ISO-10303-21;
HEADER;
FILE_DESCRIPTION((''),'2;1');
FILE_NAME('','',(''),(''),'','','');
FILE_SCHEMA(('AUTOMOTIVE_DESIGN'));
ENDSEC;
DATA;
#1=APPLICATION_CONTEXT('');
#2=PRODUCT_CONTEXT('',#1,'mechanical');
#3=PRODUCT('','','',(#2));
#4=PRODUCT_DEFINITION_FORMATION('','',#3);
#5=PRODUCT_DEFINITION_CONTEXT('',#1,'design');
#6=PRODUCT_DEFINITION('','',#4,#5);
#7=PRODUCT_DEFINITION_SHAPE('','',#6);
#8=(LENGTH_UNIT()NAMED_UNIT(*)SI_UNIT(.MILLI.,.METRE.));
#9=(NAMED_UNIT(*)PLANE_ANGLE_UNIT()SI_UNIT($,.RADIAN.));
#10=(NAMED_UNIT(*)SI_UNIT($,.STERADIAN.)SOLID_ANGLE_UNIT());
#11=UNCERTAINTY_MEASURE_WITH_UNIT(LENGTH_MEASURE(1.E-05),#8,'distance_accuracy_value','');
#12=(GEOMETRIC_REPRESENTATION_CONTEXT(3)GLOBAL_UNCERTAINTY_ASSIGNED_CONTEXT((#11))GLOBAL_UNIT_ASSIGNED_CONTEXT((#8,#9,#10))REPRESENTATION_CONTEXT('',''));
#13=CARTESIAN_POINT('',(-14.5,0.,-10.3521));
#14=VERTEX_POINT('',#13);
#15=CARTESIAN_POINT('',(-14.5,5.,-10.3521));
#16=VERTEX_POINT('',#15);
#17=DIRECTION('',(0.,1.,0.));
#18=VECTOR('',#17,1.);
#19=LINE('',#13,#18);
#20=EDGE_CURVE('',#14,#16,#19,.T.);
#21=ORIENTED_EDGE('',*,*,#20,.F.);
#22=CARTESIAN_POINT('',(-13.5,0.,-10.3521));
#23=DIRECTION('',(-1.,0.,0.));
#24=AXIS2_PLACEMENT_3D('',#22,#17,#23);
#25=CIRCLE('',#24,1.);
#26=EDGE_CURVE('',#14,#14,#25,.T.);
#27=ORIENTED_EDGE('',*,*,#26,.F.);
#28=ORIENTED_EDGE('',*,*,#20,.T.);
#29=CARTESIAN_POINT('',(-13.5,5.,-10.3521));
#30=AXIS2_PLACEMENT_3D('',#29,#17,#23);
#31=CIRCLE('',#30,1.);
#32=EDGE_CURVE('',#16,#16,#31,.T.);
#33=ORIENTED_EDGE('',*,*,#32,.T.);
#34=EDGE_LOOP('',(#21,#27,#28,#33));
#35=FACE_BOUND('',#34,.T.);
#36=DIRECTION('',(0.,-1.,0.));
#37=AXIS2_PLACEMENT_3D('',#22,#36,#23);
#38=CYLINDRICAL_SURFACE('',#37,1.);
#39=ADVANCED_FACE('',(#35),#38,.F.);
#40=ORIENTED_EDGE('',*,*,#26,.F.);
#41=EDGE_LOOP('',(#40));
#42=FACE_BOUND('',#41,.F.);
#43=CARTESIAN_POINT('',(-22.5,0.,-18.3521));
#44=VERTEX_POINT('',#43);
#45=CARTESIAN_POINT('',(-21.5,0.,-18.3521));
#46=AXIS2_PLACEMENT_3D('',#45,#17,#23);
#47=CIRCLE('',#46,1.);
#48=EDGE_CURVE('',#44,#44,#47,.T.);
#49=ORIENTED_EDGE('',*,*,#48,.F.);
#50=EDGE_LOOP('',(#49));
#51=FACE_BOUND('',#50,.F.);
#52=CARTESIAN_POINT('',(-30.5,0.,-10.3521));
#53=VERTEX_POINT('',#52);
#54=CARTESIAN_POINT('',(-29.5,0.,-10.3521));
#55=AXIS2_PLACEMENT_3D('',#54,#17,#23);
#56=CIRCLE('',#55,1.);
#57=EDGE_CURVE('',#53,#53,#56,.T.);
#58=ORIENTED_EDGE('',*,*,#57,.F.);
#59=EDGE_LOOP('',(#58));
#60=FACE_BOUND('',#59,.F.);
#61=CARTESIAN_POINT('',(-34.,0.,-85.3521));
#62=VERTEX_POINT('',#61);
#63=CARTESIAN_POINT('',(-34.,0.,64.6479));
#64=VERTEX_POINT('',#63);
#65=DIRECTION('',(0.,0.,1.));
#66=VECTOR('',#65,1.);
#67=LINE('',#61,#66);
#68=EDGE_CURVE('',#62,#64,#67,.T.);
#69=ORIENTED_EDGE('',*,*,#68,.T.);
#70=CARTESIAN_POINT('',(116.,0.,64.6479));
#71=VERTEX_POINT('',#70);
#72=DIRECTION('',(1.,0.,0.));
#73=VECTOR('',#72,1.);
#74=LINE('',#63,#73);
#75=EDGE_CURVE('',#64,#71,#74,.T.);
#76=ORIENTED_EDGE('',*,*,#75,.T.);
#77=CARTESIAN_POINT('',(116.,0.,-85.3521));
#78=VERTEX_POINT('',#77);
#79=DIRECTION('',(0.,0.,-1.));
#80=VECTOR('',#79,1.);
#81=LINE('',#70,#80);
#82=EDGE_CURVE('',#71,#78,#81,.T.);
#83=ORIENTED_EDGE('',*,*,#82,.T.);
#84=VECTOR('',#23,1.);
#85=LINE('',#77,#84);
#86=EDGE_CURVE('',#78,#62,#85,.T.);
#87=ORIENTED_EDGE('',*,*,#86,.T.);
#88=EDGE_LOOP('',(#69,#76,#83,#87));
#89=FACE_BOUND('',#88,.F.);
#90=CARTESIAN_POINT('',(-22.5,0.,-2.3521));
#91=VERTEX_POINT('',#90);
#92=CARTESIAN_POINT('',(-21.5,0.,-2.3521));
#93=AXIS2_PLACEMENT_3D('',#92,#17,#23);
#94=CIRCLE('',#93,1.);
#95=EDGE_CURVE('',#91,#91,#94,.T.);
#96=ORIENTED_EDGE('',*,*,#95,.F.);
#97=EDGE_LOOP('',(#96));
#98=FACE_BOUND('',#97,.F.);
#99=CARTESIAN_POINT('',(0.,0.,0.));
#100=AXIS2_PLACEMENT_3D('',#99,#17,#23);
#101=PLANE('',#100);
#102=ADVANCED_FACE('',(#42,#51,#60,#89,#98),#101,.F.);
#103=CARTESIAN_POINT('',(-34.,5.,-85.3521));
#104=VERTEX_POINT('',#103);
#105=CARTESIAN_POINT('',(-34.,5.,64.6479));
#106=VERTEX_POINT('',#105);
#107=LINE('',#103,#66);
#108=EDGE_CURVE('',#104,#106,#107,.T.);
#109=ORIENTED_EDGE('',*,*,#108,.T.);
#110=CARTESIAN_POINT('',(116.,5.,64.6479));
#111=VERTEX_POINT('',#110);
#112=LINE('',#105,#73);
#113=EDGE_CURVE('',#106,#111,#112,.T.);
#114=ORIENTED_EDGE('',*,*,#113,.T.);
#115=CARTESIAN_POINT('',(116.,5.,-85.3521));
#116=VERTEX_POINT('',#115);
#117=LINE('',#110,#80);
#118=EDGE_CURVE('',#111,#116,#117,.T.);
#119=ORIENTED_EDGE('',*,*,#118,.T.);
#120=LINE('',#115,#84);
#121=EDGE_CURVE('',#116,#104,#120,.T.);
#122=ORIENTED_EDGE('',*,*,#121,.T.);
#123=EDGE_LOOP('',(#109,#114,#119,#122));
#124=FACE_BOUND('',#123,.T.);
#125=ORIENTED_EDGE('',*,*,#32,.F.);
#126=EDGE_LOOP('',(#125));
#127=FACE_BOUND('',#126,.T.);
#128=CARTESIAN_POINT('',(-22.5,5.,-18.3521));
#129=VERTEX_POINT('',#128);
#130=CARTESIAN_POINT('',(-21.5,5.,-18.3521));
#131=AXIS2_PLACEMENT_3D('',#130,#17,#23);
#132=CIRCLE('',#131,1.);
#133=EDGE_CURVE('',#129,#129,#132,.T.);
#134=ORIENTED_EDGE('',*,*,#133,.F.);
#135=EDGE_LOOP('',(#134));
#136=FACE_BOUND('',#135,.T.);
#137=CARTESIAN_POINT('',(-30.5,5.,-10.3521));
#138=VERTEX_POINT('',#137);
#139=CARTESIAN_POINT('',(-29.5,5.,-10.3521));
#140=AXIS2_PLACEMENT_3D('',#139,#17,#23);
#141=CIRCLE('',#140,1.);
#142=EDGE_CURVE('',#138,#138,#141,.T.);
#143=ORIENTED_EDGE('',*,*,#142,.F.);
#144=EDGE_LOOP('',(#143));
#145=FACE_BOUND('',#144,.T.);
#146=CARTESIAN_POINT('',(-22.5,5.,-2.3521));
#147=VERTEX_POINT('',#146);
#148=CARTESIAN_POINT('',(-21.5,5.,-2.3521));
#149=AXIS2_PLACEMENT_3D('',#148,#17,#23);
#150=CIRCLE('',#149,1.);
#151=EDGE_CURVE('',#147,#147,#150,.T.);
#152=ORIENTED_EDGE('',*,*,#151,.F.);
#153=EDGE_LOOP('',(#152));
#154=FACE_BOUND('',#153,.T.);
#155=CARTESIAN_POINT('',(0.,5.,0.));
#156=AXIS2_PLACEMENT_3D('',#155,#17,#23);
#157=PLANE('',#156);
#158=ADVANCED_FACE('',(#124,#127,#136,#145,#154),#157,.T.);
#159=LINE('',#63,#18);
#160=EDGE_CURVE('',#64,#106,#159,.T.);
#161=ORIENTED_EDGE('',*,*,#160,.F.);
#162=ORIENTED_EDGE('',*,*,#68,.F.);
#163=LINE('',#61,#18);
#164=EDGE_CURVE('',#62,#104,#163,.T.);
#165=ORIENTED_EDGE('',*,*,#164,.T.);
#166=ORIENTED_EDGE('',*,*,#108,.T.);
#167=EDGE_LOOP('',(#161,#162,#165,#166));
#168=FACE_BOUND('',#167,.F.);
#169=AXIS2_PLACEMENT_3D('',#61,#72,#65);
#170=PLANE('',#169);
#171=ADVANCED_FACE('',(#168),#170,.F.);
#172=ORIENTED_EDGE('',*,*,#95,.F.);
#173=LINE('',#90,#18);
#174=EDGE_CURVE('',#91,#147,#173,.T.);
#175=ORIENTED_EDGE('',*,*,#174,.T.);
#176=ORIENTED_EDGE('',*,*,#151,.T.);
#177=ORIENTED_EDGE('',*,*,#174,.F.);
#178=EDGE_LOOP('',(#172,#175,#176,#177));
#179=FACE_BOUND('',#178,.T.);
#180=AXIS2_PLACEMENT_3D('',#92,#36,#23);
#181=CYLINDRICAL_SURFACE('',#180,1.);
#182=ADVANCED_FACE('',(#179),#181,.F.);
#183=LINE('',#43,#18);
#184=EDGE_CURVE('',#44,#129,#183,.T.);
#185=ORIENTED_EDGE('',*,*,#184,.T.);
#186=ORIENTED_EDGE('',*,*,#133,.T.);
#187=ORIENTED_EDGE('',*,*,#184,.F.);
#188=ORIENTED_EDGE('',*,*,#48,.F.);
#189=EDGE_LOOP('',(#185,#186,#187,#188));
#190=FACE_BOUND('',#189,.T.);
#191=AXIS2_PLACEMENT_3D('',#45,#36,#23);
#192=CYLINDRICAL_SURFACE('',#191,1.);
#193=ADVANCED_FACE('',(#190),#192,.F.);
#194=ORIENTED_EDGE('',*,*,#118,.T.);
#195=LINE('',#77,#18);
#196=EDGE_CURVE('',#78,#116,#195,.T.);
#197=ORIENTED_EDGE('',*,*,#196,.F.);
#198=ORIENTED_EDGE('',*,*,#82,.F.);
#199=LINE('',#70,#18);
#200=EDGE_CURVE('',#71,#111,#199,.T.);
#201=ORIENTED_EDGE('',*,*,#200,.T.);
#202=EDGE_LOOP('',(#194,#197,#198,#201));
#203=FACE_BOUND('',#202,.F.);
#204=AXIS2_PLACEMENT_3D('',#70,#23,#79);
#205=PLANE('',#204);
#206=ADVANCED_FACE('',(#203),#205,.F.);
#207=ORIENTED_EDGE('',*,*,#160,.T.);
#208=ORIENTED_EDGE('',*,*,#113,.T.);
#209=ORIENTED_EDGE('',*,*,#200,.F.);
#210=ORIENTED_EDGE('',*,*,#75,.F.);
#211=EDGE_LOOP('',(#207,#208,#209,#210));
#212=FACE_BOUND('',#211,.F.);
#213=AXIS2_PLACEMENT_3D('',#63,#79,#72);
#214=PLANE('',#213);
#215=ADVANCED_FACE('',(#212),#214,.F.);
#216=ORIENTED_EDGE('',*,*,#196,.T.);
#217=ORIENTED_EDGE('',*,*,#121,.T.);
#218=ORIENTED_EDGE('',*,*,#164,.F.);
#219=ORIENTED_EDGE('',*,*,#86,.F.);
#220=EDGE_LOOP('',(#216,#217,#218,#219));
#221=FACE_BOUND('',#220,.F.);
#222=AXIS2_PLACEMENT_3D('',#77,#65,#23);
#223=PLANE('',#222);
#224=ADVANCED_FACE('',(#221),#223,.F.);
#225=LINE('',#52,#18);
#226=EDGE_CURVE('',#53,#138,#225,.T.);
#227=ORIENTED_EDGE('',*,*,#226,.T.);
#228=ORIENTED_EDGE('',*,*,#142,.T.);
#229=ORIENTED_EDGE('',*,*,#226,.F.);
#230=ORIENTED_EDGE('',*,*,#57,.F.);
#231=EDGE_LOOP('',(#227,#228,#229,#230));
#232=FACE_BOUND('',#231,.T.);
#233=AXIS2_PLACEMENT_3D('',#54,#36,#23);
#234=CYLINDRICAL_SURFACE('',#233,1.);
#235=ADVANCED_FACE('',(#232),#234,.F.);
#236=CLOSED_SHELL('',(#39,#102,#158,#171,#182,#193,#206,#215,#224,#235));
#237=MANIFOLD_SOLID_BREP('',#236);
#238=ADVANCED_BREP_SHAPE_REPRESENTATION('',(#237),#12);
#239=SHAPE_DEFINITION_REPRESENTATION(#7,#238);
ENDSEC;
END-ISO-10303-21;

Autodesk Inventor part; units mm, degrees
ref_plane "YZ Plane" through (0, 0, 0) normal (1, 0, 0) x (0, 1, 0)
ref_plane "XZ Plane" through (0, 0, 0) normal (0, 1, 0) x (-1, 0, 0)
ref_plane "XY Plane" through (0, 0, 0) normal (0, 0, 1) x (1, 0, 0)
sketch "Sketch1" plane through (0, 0, 0) normal (0, 1, 0) x (-1, 0, 0)
  line L0 (34, 64.6479) -> (-116, 64.6479)
  line L1 (-116, 64.6479) -> (-116, -85.3521)
  line L2 (-116, -85.3521) -> (34, -85.3521)
  line L3 (34, -85.3521) -> (34, 64.6479)
  circle A0 centre (29.5, -10.3521) radius 1
  circle A1 centre (13.5, -10.3521) radius 1
  circle A2 centre (21.5, -18.3521) radius 1
  circle A3 centre (21.5, -2.3521) radius 1
  point P0 (0, 0)
  dimension "d0" = 150
  dimension "d1" = 150
  dimension "d4" = 75
  dimension "d5" = 4.5
  dimension "d6" = 2
  dimension "d16" = 16
  dimension "d17" = 2
  dimension "d18" = 75
  dimension "d19" = 2
  dimension "d20" = 8
  dimension "d21" = 8
  dimension "d22" = 2
  dimension "d23" = 8
  dimension "d24" = 8
extrude "Extrusion1" add sketch "Sketch1" along normal blind 5
properties part number "plaque"
